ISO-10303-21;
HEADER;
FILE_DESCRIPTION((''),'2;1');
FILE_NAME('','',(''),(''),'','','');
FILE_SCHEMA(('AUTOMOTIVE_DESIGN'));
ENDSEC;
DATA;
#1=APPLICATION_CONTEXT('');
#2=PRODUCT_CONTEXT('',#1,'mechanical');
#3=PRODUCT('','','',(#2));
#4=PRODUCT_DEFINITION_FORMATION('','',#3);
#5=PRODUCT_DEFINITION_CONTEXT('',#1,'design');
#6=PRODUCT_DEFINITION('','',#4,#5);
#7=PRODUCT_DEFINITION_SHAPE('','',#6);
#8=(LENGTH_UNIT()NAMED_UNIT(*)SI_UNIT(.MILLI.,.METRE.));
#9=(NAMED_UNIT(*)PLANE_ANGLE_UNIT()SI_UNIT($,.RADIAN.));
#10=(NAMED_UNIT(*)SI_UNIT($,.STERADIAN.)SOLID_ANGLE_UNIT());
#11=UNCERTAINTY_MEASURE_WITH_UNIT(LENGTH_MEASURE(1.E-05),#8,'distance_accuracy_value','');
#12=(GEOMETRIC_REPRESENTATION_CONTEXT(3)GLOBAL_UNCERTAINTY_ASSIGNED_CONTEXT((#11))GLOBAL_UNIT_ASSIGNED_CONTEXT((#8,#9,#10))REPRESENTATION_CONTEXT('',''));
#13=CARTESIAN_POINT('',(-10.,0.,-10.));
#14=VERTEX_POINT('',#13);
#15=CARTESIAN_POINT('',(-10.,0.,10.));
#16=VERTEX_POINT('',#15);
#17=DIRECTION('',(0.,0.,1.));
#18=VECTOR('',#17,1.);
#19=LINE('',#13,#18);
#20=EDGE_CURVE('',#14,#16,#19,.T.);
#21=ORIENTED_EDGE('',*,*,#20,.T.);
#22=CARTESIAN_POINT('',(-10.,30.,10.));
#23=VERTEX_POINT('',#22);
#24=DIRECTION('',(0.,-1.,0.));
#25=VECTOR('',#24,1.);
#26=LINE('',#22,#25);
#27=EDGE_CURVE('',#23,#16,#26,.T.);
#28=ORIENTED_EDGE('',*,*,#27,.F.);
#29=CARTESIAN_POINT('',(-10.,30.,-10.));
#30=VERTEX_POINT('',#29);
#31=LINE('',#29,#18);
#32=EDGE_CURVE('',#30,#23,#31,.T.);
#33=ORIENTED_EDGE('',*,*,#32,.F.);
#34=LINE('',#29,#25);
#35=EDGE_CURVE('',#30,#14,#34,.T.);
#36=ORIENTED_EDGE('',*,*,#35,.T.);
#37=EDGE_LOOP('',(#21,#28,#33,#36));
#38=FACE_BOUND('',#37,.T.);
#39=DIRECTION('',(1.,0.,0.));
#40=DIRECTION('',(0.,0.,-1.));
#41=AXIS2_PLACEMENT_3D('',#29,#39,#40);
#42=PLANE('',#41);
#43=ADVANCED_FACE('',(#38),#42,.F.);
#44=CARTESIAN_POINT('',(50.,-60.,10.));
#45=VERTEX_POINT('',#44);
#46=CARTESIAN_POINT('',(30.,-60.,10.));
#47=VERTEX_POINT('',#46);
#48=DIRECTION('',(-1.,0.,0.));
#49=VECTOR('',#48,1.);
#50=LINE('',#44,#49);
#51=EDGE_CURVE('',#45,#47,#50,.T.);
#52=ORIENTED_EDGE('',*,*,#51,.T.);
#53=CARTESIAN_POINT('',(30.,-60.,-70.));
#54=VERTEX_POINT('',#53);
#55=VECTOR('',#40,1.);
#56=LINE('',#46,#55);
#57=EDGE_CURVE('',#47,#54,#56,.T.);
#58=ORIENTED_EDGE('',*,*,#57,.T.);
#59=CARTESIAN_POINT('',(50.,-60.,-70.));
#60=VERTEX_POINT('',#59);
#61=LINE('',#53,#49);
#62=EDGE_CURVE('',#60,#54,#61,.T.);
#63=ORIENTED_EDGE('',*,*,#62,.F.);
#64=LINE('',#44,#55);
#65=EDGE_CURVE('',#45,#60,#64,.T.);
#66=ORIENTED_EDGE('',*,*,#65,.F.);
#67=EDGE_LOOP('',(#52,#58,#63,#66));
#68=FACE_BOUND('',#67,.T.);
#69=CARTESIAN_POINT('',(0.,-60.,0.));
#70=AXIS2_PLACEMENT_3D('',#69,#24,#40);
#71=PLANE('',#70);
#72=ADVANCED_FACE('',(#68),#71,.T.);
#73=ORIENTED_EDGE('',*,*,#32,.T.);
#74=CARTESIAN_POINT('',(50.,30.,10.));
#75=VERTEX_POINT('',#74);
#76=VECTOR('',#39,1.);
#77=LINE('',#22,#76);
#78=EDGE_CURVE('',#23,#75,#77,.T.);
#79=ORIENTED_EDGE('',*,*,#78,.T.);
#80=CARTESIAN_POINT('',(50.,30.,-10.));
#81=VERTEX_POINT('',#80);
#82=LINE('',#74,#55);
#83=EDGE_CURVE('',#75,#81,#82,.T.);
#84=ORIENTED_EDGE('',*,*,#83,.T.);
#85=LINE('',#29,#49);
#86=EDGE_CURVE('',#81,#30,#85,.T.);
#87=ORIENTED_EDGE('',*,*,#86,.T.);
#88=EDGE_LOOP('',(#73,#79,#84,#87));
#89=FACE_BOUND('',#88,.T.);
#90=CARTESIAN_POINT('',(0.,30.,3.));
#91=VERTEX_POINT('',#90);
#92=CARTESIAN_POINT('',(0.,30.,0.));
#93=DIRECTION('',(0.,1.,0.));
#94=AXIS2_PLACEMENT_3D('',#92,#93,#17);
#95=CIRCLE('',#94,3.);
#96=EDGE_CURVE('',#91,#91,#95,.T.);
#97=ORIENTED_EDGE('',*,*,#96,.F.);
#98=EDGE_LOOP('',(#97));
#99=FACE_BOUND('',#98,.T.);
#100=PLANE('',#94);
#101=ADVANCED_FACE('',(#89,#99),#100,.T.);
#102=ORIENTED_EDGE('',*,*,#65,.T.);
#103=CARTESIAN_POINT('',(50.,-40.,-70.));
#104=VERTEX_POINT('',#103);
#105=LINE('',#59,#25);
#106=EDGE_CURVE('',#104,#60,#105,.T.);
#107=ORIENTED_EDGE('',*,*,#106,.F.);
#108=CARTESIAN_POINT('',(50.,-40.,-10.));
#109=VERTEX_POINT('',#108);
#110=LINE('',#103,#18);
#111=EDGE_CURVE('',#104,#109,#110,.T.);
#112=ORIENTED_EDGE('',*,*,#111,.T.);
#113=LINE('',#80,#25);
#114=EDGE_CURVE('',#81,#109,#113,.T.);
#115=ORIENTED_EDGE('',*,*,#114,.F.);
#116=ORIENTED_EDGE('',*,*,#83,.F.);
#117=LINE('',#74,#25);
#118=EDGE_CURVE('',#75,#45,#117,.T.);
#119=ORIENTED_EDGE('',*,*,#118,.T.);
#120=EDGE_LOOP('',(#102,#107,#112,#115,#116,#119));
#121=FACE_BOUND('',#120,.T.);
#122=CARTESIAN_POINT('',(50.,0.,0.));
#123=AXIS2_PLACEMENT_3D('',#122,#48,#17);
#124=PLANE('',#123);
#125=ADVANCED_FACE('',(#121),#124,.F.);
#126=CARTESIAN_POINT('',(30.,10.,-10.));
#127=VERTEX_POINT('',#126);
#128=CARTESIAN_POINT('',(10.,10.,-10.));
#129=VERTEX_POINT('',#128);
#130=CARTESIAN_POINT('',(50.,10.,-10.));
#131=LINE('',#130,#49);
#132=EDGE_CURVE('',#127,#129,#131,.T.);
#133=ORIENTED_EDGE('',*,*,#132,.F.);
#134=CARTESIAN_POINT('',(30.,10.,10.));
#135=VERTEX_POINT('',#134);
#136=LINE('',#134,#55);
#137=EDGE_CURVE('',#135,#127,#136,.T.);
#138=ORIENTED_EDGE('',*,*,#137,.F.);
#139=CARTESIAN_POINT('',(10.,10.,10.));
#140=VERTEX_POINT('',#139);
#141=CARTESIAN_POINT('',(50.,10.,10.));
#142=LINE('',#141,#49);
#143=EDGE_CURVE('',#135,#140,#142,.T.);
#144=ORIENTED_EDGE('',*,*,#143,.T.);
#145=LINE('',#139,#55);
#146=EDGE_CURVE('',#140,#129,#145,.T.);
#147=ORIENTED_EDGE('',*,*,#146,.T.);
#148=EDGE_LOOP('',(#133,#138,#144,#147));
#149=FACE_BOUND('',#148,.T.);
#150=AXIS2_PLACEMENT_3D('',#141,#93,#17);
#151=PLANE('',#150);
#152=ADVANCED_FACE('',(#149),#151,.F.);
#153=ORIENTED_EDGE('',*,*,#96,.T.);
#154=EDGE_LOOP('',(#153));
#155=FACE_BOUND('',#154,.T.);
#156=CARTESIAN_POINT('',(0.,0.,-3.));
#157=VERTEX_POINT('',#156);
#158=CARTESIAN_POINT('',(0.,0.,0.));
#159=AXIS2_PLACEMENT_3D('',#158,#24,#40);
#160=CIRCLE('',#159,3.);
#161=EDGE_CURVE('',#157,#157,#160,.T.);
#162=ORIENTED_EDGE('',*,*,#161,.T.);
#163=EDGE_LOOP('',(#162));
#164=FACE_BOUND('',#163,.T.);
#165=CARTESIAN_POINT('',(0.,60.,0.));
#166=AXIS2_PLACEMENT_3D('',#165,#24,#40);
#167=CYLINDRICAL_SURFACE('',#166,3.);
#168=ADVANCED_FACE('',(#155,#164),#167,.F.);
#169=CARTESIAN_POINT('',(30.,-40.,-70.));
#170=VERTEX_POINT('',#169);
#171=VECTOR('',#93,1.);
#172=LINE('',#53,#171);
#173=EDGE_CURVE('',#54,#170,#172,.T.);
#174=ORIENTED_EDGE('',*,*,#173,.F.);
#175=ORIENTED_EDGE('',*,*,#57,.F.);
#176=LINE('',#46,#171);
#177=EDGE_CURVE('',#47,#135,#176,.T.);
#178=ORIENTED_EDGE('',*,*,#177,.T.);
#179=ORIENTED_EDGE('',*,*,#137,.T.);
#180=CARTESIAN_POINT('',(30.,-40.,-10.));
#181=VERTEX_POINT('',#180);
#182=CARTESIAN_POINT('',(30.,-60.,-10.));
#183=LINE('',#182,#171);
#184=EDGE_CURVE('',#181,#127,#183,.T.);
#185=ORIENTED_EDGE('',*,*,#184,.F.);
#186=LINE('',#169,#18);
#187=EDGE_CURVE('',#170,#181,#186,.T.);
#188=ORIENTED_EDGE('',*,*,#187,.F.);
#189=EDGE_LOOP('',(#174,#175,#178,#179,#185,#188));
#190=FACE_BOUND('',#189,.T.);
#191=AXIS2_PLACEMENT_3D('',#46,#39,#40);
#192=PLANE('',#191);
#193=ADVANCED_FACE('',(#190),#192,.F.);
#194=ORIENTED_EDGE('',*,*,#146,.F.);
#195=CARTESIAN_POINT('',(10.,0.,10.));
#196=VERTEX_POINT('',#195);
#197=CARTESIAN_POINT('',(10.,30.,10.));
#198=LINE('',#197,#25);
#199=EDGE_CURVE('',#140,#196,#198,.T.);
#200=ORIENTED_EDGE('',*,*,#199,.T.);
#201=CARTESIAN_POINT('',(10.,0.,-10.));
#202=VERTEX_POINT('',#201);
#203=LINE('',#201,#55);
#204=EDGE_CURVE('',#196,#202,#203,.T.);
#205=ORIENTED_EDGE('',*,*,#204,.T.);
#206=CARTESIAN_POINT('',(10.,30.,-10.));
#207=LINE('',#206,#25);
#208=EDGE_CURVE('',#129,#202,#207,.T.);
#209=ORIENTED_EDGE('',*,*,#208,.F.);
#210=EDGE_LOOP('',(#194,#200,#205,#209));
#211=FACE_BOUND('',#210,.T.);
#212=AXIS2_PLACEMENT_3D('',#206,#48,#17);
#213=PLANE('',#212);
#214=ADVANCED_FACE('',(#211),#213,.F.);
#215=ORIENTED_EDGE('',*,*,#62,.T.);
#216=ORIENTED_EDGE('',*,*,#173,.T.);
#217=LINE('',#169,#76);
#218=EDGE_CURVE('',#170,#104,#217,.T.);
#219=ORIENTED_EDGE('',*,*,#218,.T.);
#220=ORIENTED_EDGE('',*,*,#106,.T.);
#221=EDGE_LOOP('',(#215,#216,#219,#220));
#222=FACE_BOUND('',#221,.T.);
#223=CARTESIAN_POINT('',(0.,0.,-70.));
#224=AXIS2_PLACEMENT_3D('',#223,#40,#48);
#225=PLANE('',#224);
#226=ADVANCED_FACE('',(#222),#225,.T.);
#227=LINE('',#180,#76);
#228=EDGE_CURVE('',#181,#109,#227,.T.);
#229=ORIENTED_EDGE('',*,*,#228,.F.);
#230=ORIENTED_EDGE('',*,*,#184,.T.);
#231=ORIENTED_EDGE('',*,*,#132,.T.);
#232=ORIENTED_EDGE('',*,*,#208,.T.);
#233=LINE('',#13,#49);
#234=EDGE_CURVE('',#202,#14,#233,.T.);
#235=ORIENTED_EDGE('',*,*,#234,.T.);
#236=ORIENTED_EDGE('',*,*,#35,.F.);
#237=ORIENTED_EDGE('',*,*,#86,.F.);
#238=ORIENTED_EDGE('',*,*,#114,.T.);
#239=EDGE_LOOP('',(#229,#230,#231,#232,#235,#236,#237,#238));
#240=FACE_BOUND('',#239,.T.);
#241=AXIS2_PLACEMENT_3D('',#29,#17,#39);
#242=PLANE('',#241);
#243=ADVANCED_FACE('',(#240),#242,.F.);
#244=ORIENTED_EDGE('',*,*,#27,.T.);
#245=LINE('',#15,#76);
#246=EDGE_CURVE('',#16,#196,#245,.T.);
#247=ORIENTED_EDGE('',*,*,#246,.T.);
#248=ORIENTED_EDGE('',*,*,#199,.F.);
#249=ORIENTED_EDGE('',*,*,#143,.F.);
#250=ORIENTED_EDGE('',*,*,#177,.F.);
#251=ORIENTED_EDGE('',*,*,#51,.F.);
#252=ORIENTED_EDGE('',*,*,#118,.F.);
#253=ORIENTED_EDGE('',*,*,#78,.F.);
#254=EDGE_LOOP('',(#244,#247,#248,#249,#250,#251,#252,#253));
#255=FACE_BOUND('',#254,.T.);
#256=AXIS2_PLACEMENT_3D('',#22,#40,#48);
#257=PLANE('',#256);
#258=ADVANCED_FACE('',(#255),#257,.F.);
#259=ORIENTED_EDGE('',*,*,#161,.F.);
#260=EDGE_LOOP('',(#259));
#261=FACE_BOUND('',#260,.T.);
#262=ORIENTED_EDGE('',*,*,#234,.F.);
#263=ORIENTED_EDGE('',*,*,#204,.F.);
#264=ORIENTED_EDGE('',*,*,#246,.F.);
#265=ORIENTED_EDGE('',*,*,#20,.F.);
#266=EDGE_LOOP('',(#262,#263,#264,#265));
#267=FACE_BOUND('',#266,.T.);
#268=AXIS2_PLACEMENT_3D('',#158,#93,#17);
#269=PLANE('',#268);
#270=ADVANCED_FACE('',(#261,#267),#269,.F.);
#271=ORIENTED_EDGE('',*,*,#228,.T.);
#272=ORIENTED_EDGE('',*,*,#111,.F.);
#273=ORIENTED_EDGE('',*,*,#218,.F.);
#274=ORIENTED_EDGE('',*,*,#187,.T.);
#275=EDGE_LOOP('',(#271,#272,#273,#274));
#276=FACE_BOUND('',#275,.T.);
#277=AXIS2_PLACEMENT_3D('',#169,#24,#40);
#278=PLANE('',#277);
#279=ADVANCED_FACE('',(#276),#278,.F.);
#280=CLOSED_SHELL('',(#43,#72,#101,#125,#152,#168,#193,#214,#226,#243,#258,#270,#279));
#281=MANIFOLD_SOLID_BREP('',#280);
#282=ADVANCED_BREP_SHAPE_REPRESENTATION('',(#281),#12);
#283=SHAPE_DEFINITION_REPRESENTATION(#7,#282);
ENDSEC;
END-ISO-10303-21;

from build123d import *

# Parameters (mm, degrees)
SKETCH_1_W          = 20
SKETCH_1_H          = 20
EXTRUDE_1_DEPTH     = 30
SKETCH_2_W          = 20
SKETCH_2_H          = 20
EXTRUDE_2_DEPTH     = 40
SKETCH_6_W          = 20
SKETCH_6_H          = 20
EXTRUDE_3_DEPTH     = 70
SKETCH_7_W          = 20
SKETCH_7_H          = 20
EXTRUDE_4_DEPTH     = 60
SKETCH_8_R          = 3
CUT_EXTRUDE_1_DEPTH = 60


with BuildPart() as part:
    # 草图1 → 凸台-拉伸1 (new body)
    with BuildSketch(Plane(origin=(0, 0, 0), x_dir=(1, 0, 0), z_dir=(0, 1, 0))):
        Rectangle(SKETCH_1_W, SKETCH_1_H)
    extrude(amount=EXTRUDE_1_DEPTH)

    # 草图2 → 凸台-拉伸2 (add)
    with BuildSketch(Plane(origin=(10, 0, 0), x_dir=(0, 0, -1), z_dir=(1, 0, 0))):
        with Locations((0, 20)):
            Rectangle(SKETCH_2_W, SKETCH_2_H)
    extrude(amount=EXTRUDE_2_DEPTH)

    # 草图6 → 凸台-拉伸3 (add)
    with BuildSketch(Plane.XZ.offset(-10)):
        with Locations((40, 0)):
            Rectangle(SKETCH_6_W, SKETCH_6_H)
    extrude(amount=EXTRUDE_3_DEPTH)

    # 草图7 → 凸台-拉伸4 (add)
    with BuildSketch(Plane(origin=(0, 0, -10), x_dir=(-1, 0, 0), z_dir=(0, 0, -1))):
        with Locations((-40, -50)):
            Rectangle(SKETCH_7_W, SKETCH_7_H)
    extrude(amount=EXTRUDE_4_DEPTH)

    # 草图8 → 切除-拉伸1 (cut)
    with BuildSketch(Plane(origin=(0, 0, 0), x_dir=(-1, 0, 0), z_dir=(0, -1, 0))):
        with Locations(Location((0, 0, 0), (0, 0, 90))):
            Circle(SKETCH_8_R)
    extrude(amount=-CUT_EXTRUDE_1_DEPTH, mode=Mode.SUBTRACT)


solid = part.part
